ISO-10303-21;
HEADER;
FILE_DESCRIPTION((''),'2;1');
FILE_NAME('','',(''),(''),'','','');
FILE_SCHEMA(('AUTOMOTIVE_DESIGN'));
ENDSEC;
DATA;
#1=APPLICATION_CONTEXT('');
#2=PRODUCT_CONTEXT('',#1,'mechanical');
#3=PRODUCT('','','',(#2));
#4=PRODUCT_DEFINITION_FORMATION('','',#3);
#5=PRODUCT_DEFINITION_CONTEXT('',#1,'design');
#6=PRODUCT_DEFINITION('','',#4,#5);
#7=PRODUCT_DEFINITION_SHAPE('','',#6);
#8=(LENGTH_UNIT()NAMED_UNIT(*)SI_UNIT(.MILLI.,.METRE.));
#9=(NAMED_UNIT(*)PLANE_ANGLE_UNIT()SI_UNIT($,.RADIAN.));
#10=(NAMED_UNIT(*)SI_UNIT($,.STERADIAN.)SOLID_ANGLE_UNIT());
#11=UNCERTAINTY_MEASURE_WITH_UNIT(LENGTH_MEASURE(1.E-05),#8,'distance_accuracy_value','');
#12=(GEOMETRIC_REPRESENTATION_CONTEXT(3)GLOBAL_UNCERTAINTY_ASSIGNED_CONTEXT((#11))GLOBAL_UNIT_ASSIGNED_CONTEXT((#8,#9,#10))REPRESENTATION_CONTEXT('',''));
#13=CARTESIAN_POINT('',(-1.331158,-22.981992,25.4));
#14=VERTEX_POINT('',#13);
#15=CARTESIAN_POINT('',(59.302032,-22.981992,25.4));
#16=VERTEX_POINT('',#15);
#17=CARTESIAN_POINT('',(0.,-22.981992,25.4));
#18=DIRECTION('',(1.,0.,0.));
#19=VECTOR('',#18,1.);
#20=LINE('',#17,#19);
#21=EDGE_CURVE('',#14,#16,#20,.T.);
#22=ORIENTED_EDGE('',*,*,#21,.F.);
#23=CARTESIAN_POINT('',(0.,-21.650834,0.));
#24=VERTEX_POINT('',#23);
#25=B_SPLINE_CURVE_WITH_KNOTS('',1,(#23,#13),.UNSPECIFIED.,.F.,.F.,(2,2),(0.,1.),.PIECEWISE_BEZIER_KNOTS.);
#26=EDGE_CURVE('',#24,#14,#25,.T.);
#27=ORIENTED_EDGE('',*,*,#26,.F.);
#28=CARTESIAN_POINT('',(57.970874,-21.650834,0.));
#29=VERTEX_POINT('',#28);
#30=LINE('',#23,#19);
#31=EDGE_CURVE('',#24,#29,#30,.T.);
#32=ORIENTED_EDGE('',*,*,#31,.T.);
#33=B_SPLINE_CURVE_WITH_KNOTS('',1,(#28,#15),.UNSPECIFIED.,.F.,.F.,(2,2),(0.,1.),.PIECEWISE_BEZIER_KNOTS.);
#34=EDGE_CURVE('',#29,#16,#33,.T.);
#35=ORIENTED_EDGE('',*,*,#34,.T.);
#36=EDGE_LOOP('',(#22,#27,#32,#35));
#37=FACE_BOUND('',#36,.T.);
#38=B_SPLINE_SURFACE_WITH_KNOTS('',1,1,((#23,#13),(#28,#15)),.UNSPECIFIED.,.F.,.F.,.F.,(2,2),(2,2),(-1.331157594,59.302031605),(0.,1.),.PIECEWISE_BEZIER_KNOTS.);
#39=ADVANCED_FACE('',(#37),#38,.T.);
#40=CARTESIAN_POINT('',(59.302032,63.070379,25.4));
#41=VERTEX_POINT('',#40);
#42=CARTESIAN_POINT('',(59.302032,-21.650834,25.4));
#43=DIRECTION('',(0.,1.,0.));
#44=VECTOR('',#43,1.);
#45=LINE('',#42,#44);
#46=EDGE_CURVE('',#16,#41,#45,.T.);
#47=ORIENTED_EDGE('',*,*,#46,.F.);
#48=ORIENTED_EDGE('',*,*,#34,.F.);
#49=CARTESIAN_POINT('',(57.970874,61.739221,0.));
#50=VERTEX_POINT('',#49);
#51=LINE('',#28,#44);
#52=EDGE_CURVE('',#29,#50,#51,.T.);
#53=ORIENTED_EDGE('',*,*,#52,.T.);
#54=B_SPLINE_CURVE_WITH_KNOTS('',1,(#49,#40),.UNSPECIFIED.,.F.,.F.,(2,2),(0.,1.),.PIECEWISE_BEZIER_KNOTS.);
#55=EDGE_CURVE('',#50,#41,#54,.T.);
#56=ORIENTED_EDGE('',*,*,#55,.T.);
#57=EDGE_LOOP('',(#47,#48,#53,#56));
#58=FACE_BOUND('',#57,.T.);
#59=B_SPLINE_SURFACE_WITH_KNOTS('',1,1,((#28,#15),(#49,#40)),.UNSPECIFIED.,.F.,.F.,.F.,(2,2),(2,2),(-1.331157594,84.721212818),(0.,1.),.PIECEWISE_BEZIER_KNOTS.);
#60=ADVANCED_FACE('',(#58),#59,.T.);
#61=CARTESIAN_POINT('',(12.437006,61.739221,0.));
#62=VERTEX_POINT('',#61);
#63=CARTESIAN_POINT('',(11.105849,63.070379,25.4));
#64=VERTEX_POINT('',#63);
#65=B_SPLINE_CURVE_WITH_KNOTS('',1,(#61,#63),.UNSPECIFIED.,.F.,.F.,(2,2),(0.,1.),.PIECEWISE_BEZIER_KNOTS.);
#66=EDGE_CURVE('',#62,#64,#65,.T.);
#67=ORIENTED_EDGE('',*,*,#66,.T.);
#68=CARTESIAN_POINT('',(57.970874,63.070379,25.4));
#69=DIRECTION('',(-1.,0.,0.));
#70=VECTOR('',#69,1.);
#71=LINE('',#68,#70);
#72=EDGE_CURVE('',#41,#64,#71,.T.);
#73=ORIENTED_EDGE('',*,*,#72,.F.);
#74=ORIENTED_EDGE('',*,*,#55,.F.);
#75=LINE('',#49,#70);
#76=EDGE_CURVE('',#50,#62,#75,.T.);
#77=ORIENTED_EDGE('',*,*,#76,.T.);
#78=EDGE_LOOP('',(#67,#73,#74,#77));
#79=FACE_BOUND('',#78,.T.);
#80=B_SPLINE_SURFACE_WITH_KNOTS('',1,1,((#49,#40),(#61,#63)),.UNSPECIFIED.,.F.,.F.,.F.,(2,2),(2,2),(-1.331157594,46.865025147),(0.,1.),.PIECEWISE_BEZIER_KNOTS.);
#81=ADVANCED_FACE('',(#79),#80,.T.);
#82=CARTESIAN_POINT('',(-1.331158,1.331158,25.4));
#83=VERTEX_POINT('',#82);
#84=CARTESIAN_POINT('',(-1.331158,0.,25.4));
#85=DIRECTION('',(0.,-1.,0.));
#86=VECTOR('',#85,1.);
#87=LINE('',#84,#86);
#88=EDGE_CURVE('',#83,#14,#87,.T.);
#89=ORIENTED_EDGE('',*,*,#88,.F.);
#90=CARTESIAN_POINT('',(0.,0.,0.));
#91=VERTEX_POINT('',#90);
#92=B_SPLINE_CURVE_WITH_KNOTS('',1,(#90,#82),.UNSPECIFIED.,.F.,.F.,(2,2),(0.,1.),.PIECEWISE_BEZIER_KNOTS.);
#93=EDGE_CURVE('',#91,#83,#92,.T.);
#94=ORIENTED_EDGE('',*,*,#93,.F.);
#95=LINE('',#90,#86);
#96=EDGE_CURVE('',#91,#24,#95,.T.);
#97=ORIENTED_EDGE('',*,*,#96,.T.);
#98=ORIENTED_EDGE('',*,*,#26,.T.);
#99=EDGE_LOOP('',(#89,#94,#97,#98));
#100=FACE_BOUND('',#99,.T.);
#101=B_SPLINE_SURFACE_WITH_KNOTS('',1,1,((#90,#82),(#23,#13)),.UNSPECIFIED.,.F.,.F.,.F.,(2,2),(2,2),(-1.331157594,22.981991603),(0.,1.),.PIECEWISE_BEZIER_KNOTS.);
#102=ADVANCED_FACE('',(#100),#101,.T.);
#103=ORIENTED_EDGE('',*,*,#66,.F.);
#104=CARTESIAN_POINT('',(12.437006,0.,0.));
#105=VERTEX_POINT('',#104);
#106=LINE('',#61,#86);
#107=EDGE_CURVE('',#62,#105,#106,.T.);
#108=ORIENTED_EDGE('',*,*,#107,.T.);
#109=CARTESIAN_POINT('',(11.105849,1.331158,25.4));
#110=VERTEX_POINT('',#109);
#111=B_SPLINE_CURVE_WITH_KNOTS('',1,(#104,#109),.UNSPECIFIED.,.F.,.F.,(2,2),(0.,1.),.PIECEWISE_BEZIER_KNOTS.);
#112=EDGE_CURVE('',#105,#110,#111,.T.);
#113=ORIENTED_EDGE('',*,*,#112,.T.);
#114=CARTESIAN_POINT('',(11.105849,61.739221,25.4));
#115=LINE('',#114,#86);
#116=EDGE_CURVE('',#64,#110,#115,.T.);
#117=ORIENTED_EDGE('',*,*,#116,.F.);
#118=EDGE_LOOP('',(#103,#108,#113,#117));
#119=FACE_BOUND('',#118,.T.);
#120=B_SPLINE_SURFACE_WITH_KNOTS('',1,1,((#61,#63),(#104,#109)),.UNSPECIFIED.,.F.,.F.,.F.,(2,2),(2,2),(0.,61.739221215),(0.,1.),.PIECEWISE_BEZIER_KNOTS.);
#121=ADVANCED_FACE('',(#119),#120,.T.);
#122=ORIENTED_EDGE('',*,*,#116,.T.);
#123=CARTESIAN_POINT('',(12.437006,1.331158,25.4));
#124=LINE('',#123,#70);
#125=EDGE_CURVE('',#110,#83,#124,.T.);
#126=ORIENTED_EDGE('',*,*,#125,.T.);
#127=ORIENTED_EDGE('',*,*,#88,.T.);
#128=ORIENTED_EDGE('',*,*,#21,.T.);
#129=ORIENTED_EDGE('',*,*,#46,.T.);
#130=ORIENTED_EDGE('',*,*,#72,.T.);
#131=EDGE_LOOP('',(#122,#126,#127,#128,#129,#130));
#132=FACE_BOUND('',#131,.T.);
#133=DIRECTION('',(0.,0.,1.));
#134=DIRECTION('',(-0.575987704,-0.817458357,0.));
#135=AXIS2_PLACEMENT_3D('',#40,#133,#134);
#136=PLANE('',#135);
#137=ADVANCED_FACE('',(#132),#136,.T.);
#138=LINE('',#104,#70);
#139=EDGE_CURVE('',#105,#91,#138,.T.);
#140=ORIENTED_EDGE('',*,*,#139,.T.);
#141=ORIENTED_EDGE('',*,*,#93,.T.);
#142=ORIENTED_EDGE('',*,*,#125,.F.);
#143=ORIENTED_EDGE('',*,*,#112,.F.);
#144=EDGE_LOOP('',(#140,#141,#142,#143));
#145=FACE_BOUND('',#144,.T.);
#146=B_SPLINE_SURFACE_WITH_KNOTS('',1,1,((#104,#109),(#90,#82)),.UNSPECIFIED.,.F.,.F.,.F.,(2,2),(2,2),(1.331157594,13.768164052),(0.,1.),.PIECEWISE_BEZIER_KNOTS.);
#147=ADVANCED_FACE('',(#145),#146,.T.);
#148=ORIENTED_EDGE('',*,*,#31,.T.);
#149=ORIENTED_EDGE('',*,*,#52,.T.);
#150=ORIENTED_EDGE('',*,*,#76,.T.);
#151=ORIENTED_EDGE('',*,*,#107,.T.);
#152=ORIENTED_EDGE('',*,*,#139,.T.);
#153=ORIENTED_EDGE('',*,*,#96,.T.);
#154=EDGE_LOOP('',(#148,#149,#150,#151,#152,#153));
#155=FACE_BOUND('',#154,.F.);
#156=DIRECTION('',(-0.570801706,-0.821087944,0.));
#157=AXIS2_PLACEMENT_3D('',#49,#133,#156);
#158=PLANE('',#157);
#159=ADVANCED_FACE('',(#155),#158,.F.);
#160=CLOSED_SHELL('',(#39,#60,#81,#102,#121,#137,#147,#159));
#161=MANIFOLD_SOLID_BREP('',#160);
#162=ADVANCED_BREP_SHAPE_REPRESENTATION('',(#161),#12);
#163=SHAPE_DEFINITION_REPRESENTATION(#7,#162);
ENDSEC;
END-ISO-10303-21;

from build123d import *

# Parameters (mm, degrees)
F1_DEPTH = 25.4
F1_TAPER = -3


with BuildPart() as f1:
    # F0 (on Top) → F1 (new body)
    with BuildSketch(Plane.XY):
        Polygon((57.9708740115, 61.7392212152), (12.4370064586, 61.7392212152), (12.4370064586, 0), (0, 0), (0, -21.6508340091), (12.4370064586, -21.6508340091), (57.9708740115, -21.6508340091), align=None)
    extrude(amount=F1_DEPTH, taper=F1_TAPER)


solid = f1.part
